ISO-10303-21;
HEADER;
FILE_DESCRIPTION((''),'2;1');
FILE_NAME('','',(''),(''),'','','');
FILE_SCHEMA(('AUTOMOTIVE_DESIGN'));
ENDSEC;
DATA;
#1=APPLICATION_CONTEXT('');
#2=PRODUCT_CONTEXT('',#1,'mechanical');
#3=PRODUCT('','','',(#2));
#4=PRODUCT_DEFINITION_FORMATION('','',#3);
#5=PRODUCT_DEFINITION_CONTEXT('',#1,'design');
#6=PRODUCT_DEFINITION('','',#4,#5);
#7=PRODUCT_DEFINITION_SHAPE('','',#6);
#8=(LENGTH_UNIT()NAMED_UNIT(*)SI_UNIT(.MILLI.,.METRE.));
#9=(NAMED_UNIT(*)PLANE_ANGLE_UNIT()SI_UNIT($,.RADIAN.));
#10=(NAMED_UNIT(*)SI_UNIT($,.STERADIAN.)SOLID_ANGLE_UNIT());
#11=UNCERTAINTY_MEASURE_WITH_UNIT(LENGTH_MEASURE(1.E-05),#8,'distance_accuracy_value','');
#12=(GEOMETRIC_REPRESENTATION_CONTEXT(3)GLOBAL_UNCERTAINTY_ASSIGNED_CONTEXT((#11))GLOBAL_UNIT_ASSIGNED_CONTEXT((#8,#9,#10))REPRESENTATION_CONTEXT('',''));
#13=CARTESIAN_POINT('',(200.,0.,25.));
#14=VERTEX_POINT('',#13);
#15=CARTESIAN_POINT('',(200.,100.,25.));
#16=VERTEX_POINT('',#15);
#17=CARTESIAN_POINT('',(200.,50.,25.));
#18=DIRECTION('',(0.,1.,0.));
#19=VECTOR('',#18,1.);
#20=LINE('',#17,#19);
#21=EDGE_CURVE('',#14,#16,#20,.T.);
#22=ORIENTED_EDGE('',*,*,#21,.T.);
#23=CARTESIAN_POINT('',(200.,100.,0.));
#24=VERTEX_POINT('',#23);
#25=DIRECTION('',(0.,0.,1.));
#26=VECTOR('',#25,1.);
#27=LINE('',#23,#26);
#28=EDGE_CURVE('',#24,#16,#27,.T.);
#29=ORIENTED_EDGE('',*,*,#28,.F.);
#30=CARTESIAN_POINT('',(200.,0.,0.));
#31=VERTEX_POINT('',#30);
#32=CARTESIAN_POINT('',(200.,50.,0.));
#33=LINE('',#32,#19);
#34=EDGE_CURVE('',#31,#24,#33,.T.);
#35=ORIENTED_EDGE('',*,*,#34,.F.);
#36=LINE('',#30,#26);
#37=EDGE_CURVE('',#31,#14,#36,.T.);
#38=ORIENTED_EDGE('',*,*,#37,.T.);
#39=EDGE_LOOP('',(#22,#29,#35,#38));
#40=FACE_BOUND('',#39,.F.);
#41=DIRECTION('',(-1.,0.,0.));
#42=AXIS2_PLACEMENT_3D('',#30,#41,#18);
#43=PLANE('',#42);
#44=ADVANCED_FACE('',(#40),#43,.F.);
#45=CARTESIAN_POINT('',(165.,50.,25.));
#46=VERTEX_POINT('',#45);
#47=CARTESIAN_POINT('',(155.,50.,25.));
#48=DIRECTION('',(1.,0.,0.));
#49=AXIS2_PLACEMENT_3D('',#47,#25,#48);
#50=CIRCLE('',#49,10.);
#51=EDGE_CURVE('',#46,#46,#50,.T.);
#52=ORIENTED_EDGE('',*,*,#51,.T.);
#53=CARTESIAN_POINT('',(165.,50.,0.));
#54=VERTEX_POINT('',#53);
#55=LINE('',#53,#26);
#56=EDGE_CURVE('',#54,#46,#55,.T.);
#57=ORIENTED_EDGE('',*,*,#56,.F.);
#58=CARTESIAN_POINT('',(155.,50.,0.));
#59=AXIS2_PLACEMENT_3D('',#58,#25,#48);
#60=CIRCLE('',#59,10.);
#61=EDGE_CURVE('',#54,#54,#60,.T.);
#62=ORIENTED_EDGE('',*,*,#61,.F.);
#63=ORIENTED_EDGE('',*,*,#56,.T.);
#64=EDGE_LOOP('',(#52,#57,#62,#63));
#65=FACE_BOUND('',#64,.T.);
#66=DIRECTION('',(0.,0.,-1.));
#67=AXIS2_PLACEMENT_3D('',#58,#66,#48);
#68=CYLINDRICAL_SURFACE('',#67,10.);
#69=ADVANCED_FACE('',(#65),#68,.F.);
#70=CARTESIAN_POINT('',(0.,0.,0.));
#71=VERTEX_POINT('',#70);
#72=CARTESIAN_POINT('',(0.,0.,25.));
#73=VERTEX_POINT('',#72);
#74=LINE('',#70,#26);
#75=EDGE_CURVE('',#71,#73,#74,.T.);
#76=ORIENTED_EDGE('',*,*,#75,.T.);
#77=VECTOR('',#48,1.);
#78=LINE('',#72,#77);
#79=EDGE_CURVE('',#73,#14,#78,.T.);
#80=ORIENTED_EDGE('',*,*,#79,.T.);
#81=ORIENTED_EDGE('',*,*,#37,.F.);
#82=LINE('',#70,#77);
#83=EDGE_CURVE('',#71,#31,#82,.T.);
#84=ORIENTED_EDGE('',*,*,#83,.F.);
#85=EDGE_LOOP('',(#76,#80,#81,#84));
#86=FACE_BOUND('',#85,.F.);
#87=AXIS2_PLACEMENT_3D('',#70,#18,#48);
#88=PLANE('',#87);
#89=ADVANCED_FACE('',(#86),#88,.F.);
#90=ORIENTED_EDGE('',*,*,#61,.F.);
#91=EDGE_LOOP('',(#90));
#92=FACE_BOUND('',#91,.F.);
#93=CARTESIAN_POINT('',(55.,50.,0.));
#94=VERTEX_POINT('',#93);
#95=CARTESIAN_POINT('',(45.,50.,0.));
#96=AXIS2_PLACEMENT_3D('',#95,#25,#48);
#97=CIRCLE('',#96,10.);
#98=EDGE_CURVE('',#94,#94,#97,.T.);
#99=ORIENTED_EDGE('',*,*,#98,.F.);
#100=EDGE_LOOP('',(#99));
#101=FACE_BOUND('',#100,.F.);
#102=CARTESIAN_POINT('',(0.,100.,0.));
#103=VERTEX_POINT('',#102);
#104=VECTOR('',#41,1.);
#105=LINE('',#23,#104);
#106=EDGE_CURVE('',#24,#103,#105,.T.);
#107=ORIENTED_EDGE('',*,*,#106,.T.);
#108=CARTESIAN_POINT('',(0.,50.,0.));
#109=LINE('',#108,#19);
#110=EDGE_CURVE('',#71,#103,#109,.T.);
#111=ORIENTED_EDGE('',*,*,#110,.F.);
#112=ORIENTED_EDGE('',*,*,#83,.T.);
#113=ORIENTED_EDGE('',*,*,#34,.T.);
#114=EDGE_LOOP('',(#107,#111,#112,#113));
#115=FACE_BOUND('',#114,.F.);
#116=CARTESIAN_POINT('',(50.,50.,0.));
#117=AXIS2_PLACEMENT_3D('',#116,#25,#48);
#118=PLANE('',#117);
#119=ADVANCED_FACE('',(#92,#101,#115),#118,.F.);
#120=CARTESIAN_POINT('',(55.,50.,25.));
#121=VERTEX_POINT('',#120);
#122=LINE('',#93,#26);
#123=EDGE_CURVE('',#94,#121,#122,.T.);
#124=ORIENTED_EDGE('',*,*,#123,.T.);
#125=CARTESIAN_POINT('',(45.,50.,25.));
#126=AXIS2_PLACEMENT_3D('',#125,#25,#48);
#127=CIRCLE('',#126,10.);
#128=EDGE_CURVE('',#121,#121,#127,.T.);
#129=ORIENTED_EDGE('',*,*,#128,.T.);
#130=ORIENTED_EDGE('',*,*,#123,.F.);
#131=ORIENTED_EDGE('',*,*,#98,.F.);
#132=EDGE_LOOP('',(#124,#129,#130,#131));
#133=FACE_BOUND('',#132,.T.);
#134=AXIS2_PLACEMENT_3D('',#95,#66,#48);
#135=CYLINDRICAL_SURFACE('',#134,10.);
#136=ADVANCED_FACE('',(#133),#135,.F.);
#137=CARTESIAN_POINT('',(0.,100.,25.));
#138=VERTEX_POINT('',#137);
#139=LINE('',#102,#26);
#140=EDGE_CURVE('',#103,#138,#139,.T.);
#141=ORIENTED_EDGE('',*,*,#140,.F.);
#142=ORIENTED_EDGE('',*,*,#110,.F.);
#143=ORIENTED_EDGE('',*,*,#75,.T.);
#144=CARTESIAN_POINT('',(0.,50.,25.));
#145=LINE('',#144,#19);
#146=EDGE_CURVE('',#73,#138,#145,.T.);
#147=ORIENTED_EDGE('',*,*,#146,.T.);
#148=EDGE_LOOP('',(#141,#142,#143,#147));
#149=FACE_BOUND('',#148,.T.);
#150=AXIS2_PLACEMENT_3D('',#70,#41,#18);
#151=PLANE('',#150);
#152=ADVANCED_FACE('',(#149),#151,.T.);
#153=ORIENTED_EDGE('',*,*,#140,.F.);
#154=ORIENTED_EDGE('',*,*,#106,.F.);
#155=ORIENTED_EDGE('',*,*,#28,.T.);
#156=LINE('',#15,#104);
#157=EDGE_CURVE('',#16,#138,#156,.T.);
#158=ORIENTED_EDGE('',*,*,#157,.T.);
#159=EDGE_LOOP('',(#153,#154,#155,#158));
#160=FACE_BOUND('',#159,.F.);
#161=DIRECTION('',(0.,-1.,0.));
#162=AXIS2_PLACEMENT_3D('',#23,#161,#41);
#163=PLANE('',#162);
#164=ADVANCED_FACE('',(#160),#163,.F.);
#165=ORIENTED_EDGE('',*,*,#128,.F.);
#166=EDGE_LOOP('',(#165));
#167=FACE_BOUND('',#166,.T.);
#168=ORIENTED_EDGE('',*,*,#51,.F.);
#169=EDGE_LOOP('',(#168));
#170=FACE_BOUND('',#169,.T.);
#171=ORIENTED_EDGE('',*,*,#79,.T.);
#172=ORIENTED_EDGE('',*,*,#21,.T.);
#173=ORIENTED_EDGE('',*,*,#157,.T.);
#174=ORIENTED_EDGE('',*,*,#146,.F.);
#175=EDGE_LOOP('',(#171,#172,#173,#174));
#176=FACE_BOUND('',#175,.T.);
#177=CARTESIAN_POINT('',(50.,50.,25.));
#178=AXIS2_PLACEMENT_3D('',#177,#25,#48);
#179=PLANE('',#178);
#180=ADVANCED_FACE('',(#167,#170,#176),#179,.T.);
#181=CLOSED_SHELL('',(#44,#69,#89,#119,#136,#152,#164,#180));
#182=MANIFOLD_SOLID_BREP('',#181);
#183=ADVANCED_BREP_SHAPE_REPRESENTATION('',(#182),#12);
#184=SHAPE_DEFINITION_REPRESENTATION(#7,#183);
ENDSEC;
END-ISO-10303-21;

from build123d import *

# Parameters (mm, degrees)
F0_W     = 100
F0_H     = 100
F0_R     = 10
F1_DEPTH = 25


with BuildPart() as f1:
    # F0 (on Top) → F1 (new body)
    with BuildSketch(Plane.XY):
        with Locations((50, 50)):
            Rectangle(F0_W, F0_H)
        with Locations((45, 50)):
            Circle(F0_R, mode=Mode.SUBTRACT)
        with Locations((150, 50)):
            Rectangle(F0_W, F0_H)
        with Locations((155, 50)):
            Circle(F0_R, mode=Mode.SUBTRACT)
    extrude(amount=F1_DEPTH)


solid = f1.part
